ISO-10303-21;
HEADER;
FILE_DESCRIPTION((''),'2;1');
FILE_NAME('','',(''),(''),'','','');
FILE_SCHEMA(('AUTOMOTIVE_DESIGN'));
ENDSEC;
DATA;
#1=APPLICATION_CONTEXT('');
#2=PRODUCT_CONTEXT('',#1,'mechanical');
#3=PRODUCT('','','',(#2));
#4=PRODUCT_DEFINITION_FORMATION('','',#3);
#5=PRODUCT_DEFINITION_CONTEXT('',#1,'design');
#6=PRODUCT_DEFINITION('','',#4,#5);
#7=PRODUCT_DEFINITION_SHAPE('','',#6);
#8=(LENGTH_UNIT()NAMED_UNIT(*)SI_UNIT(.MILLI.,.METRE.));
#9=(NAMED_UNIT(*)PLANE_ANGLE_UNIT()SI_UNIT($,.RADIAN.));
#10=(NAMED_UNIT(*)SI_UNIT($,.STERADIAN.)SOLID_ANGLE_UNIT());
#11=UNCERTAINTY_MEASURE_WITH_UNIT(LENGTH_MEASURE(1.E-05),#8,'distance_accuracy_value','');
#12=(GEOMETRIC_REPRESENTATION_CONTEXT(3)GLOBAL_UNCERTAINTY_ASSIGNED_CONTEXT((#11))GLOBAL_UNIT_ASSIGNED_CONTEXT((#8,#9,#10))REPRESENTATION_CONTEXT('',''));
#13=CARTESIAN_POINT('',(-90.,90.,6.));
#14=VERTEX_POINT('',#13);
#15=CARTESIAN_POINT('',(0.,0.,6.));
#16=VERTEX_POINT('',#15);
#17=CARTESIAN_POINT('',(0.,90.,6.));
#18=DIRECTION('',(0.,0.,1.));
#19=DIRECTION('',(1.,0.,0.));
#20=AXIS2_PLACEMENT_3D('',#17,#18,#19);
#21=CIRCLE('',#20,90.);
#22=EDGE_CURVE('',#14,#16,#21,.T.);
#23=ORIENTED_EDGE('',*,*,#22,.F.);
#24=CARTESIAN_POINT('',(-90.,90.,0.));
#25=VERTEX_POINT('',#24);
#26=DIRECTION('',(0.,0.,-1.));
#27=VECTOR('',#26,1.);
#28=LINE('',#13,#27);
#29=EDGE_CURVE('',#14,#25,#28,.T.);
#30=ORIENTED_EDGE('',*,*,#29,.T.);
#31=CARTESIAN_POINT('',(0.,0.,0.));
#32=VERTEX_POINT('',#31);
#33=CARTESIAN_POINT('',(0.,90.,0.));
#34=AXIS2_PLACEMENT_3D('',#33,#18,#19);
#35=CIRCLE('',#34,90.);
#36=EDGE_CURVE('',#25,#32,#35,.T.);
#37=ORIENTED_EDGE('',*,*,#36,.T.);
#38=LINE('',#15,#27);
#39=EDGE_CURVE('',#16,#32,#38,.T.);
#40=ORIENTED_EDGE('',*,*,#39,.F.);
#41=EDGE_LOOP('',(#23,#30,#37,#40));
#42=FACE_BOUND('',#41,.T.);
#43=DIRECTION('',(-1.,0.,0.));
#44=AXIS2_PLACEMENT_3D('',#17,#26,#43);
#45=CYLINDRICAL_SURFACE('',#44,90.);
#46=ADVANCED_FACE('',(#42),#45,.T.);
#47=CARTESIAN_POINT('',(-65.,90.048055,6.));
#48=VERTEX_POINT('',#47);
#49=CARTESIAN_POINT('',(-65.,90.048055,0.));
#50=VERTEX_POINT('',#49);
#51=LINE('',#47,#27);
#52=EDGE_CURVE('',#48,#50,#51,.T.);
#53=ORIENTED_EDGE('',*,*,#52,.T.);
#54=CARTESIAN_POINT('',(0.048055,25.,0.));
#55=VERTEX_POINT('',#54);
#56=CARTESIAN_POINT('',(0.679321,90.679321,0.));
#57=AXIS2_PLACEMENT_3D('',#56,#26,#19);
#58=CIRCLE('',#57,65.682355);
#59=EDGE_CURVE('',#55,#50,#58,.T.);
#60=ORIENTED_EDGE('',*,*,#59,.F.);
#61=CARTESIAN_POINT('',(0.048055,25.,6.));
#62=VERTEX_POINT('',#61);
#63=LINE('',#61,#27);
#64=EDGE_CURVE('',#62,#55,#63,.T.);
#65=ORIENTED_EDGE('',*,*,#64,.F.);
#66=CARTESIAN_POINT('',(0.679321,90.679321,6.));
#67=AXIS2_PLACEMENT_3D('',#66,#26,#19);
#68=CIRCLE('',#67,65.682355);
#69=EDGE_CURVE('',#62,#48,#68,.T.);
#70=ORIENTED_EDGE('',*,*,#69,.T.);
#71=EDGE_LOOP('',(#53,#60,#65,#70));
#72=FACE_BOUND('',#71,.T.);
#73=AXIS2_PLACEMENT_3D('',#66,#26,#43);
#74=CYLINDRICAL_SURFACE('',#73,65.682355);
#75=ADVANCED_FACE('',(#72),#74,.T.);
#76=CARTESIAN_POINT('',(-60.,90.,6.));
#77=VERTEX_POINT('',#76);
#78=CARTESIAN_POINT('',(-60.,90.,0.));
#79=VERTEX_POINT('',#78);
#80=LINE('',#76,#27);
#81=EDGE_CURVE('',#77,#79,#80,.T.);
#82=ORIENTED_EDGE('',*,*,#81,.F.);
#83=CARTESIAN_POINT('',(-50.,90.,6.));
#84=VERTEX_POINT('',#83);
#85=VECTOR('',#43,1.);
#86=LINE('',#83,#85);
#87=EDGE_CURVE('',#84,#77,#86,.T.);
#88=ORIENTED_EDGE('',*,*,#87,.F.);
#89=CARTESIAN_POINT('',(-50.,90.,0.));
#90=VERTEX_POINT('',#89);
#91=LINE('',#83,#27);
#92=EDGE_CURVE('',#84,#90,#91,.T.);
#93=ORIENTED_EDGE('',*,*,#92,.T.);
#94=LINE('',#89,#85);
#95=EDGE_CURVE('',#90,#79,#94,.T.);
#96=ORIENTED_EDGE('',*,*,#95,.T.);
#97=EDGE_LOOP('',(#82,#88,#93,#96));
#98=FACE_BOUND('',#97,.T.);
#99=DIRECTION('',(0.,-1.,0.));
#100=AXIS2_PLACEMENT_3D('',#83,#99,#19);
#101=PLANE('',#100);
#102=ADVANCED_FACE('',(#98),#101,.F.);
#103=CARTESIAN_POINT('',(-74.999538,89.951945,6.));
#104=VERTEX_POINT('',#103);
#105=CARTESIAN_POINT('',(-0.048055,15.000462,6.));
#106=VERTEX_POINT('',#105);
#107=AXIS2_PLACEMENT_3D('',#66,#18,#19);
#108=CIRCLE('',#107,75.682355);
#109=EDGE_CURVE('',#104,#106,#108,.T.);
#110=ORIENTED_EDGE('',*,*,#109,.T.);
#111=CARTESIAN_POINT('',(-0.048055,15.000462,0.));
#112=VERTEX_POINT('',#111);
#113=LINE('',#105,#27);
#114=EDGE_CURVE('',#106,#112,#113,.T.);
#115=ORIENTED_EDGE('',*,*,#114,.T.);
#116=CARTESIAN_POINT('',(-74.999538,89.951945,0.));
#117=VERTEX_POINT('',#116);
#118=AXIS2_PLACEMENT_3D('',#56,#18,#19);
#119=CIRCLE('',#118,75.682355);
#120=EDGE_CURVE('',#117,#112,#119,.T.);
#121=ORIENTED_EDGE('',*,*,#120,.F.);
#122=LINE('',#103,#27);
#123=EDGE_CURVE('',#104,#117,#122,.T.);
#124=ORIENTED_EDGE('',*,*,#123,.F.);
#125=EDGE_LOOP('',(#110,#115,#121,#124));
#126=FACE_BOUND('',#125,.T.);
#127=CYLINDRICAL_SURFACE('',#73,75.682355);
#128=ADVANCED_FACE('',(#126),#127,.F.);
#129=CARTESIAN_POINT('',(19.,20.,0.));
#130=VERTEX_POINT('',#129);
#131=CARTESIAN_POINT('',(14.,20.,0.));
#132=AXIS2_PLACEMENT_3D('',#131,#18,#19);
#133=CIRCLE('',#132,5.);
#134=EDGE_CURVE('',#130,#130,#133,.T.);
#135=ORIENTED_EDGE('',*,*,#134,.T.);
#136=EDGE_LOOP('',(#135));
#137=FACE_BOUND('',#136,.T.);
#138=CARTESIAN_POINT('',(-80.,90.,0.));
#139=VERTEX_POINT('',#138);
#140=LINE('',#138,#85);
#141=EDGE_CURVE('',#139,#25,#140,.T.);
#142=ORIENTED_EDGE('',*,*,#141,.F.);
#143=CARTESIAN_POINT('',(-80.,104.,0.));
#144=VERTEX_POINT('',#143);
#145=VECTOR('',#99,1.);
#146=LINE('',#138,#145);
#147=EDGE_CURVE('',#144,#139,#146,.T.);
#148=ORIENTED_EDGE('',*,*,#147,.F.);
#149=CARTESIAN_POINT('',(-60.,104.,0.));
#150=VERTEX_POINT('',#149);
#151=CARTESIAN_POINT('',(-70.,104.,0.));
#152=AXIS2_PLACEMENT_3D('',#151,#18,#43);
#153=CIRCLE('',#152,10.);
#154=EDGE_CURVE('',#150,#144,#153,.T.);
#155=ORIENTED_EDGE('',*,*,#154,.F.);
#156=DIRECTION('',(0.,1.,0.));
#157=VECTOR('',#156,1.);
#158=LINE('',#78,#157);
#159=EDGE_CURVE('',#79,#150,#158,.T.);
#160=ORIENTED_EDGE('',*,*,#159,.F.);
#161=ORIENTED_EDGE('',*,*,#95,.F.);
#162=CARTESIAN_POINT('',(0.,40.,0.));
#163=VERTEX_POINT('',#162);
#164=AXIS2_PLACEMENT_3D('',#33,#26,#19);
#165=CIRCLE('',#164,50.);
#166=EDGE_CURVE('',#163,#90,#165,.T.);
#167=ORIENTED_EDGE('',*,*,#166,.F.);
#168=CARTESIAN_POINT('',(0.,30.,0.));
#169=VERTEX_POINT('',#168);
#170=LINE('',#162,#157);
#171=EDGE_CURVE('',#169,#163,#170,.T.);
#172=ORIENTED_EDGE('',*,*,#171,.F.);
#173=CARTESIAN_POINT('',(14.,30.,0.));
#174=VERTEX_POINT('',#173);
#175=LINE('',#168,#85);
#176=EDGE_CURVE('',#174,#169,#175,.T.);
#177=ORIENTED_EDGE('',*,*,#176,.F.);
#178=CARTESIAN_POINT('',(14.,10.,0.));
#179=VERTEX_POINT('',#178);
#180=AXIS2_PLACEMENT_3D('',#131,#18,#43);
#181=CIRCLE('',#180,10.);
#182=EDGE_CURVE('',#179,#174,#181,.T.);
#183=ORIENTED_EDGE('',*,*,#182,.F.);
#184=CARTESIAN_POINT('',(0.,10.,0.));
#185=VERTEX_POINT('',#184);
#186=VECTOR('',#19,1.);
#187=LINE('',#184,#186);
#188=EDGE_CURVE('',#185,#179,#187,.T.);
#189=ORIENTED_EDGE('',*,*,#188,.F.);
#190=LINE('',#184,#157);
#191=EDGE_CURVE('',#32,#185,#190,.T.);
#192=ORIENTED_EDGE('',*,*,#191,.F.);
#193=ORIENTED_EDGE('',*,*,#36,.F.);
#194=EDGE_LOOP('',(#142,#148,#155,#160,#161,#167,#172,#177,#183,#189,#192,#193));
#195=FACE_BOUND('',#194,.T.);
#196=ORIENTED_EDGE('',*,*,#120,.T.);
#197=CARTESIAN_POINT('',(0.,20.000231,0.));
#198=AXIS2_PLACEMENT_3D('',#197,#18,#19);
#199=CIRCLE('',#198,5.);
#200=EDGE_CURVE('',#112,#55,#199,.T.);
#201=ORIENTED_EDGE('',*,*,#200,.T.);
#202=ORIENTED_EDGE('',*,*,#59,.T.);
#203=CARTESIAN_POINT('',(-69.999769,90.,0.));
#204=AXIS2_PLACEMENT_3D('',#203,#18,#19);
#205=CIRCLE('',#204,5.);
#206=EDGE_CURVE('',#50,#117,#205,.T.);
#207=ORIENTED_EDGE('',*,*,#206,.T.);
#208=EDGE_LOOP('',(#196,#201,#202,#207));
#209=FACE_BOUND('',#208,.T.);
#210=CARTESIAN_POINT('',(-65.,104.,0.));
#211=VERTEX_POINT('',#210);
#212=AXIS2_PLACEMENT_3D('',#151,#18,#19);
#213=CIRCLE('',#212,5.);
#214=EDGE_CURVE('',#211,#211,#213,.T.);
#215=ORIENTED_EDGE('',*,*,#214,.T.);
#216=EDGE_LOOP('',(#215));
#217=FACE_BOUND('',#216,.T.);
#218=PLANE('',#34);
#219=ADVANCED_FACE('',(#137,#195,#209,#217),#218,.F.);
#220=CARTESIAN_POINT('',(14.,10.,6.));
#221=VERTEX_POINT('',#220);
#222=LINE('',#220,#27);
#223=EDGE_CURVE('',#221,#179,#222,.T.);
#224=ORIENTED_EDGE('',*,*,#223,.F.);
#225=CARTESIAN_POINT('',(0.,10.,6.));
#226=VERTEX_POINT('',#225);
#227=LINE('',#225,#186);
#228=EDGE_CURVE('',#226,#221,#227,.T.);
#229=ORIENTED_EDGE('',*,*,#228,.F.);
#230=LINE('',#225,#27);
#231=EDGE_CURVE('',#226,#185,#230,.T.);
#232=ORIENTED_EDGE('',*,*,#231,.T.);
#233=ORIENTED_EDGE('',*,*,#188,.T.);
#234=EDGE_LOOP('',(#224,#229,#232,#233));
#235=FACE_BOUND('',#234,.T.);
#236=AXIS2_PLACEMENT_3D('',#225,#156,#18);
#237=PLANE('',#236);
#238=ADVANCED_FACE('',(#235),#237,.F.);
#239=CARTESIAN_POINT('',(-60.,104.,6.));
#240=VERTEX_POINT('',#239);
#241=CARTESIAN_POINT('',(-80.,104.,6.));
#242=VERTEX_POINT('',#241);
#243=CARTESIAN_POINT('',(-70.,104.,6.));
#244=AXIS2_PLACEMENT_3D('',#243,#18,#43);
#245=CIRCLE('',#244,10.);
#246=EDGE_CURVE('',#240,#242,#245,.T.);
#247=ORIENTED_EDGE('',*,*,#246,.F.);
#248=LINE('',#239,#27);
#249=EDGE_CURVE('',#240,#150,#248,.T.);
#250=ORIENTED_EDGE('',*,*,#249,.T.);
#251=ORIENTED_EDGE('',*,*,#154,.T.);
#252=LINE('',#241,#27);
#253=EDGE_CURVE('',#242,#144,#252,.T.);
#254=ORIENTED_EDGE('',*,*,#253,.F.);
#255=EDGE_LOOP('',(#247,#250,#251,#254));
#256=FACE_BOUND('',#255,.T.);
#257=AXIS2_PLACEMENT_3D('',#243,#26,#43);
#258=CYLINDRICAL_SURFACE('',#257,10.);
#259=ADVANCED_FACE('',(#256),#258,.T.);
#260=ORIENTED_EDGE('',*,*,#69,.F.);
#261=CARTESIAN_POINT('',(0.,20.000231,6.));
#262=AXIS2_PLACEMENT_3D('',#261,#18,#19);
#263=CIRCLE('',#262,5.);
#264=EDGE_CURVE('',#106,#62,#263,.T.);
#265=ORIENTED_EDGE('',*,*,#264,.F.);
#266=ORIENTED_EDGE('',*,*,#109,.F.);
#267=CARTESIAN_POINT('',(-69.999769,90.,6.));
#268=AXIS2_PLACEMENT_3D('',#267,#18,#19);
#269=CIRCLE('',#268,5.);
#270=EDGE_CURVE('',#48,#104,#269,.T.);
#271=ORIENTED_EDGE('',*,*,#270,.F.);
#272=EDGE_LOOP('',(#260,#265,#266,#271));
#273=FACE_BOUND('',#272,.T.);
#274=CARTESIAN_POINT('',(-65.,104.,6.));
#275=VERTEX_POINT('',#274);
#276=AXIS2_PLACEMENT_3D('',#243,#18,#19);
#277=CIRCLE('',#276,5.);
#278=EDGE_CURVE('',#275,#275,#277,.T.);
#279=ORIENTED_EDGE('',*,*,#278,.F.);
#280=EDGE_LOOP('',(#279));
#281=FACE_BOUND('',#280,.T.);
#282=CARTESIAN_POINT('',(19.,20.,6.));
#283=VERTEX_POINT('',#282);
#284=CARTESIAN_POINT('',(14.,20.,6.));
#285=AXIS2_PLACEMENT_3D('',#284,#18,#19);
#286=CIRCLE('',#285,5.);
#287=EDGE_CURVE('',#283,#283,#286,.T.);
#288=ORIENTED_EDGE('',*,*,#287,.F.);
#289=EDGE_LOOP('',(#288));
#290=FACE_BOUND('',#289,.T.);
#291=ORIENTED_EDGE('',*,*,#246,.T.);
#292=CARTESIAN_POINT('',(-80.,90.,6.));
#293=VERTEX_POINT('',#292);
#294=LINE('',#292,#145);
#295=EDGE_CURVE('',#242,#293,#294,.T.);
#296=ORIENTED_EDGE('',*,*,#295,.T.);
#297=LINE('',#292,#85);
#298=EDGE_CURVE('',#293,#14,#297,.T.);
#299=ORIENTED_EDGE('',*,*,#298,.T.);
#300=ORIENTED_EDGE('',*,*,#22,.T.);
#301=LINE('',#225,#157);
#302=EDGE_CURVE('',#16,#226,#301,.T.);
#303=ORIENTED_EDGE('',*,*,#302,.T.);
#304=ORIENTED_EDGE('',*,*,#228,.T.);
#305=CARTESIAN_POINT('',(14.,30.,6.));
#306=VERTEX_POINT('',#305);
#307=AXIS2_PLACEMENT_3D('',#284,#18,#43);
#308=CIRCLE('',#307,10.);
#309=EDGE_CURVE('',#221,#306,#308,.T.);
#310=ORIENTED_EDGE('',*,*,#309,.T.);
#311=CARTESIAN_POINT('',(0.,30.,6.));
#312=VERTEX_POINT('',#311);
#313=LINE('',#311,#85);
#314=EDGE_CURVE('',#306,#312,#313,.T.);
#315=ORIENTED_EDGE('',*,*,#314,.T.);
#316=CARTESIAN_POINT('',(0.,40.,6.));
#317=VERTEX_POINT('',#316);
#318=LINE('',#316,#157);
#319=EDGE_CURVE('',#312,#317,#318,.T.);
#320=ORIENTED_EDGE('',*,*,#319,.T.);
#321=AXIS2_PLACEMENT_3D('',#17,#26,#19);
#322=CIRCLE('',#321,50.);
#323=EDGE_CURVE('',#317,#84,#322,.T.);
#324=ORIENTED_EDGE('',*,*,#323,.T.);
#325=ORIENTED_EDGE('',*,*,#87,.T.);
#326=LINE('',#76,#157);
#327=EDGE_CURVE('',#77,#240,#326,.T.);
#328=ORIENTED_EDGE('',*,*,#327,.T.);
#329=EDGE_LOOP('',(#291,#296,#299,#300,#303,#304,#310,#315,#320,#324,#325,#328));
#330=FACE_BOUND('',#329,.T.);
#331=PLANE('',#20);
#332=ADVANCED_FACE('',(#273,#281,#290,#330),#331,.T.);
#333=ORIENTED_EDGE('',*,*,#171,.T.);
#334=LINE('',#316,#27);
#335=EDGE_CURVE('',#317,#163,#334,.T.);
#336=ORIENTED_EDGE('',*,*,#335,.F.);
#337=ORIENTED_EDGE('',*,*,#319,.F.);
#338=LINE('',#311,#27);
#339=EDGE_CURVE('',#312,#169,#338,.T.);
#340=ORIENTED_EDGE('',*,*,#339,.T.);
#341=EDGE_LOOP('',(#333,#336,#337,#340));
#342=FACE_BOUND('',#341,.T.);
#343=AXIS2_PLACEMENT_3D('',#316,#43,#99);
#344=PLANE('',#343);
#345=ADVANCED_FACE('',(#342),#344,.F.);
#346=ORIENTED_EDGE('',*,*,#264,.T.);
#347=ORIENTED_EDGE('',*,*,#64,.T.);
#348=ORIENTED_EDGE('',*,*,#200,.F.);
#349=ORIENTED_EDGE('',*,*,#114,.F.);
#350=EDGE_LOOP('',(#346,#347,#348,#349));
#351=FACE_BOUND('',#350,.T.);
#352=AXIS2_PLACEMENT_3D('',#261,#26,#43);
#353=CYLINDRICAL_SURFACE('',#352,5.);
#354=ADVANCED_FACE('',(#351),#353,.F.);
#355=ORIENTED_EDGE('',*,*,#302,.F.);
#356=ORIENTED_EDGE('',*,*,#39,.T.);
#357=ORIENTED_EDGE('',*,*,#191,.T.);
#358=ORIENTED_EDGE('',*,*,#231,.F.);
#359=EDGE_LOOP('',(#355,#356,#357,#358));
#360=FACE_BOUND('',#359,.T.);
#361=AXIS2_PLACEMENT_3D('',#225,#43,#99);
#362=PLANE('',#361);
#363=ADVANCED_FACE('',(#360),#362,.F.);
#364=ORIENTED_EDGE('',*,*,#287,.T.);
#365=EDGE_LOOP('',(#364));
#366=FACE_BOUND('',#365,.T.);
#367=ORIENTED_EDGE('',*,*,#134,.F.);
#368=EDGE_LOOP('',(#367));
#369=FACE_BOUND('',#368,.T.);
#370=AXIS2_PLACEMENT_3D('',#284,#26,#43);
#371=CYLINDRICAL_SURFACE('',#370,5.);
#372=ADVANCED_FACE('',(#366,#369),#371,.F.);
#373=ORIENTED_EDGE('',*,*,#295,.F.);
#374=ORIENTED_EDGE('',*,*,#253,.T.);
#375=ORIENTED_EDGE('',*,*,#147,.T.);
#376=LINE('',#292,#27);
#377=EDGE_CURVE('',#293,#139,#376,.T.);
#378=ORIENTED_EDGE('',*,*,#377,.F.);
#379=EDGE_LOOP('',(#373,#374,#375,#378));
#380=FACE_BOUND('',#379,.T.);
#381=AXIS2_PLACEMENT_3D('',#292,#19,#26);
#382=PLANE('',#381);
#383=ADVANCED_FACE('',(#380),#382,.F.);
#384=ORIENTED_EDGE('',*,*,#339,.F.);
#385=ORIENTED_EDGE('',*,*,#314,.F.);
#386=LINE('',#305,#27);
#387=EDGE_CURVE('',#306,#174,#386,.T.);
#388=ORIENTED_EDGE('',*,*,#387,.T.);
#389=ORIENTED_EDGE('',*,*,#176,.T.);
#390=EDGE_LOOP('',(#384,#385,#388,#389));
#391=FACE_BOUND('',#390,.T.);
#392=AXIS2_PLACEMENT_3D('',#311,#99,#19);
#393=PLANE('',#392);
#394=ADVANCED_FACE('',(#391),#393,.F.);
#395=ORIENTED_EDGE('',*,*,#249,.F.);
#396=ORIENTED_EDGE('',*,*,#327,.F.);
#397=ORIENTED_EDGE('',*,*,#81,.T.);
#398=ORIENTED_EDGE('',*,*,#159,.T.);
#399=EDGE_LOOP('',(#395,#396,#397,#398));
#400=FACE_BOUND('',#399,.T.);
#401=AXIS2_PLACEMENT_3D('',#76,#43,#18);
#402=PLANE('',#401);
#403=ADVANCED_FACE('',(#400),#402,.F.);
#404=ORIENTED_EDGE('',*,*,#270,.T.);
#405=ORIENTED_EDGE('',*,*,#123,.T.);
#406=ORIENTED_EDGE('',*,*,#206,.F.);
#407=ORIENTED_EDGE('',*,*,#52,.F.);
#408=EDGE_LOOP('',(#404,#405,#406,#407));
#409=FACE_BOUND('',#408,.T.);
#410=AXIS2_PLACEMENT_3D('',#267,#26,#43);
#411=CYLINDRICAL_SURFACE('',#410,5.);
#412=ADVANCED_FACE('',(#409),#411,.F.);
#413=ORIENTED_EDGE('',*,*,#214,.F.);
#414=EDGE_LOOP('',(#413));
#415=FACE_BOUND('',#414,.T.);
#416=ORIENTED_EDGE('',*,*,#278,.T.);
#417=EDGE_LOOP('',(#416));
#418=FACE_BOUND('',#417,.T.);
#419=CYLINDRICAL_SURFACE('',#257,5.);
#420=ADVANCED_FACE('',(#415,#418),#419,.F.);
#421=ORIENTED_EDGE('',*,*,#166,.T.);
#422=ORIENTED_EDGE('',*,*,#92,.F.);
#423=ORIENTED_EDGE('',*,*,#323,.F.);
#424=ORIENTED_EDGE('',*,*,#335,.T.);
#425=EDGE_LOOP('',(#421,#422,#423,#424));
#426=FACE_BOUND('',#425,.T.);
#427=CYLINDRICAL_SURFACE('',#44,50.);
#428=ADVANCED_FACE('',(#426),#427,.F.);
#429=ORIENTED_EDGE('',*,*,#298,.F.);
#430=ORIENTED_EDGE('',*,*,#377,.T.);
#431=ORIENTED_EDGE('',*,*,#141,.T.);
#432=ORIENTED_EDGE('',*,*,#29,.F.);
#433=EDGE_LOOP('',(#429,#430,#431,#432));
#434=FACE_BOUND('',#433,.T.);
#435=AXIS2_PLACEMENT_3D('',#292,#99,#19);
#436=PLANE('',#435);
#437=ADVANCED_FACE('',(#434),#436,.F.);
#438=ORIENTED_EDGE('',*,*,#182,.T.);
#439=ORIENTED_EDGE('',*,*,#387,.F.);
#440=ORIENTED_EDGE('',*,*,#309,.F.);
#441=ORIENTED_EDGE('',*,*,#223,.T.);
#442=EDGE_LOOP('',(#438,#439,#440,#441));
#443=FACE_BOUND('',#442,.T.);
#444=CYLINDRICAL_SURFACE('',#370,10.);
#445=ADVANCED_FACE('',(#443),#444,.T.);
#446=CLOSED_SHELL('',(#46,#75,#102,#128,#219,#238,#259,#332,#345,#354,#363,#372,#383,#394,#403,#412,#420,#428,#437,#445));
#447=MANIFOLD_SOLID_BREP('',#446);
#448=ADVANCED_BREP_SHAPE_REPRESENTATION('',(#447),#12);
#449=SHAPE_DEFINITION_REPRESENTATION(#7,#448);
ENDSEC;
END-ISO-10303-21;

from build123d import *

# Parameters (mm, degrees)
SALIENTE_EXTRUIR1_DEPTH = 6
CROQUIS3_R              = 5
CORTAR_EXTRUIR1_DEPTH   = 6
CORTAR_EXTRUIR3_DEPTH   = 6


with BuildPart() as part:
    # cuadrado → Saliente-Extruir1 (new body)
    with BuildSketch(Plane.XY):
        with BuildLine():
            Line((-50, 90), (-60, 90))
            Line((-60, 90), (-60, 104))
            ThreePointArc((-60, 104), (-70, 114), (-80, 104))
            Line((-80, 104), (-80, 90))
            Line((-80, 90), (-90, 90))
            ThreePointArc((-90, 90), (-63.639610307, 26.360389693), (0, 0))
            Line((0, 0), (0, 10))
            Line((0, 10), (14, 10))
            ThreePointArc((14, 10), (24, 20), (14, 30))
            Line((14, 30), (0, 30))
            Line((0, 30), (0, 40))
            ThreePointArc((0, 40), (-35.355339059, 54.644660941), (-50, 90))
        make_face()
    extrude(amount=SALIENTE_EXTRUIR1_DEPTH)

    # Croquis3 → Cortar-Extruir1 (cut)
    with BuildSketch(Plane.XY):
        with Locations((-70, 104)):
            Circle(CROQUIS3_R)
        with Locations((14, 20)):
            Circle(CROQUIS3_R)
    extrude(amount=CORTAR_EXTRUIR1_DEPTH, mode=Mode.SUBTRACT)

    # Croquis4 → Cortar-Extruir3 (cut)
    with BuildSketch(Plane.XY):
        with BuildLine():
            ThreePointArc((-74.999538142, 89.951945487), (-52.836185081, 37.163814919), (-0.048054513, 15.000461858))
            ThreePointArc((-0.048054513, 15.000461858), (4.999769071, 19.952176416), (0.048054513, 25))
            ThreePointArc((0.048054513, 25), (-45.765117269, 44.234882731), (-65, 90.048054513))
            ThreePointArc((-65, 90.048054513), (-70.047823584, 94.999769071), (-74.999538142, 89.951945487))
        make_face()
    extrude(amount=CORTAR_EXTRUIR3_DEPTH, mode=Mode.SUBTRACT)


solid = part.part
